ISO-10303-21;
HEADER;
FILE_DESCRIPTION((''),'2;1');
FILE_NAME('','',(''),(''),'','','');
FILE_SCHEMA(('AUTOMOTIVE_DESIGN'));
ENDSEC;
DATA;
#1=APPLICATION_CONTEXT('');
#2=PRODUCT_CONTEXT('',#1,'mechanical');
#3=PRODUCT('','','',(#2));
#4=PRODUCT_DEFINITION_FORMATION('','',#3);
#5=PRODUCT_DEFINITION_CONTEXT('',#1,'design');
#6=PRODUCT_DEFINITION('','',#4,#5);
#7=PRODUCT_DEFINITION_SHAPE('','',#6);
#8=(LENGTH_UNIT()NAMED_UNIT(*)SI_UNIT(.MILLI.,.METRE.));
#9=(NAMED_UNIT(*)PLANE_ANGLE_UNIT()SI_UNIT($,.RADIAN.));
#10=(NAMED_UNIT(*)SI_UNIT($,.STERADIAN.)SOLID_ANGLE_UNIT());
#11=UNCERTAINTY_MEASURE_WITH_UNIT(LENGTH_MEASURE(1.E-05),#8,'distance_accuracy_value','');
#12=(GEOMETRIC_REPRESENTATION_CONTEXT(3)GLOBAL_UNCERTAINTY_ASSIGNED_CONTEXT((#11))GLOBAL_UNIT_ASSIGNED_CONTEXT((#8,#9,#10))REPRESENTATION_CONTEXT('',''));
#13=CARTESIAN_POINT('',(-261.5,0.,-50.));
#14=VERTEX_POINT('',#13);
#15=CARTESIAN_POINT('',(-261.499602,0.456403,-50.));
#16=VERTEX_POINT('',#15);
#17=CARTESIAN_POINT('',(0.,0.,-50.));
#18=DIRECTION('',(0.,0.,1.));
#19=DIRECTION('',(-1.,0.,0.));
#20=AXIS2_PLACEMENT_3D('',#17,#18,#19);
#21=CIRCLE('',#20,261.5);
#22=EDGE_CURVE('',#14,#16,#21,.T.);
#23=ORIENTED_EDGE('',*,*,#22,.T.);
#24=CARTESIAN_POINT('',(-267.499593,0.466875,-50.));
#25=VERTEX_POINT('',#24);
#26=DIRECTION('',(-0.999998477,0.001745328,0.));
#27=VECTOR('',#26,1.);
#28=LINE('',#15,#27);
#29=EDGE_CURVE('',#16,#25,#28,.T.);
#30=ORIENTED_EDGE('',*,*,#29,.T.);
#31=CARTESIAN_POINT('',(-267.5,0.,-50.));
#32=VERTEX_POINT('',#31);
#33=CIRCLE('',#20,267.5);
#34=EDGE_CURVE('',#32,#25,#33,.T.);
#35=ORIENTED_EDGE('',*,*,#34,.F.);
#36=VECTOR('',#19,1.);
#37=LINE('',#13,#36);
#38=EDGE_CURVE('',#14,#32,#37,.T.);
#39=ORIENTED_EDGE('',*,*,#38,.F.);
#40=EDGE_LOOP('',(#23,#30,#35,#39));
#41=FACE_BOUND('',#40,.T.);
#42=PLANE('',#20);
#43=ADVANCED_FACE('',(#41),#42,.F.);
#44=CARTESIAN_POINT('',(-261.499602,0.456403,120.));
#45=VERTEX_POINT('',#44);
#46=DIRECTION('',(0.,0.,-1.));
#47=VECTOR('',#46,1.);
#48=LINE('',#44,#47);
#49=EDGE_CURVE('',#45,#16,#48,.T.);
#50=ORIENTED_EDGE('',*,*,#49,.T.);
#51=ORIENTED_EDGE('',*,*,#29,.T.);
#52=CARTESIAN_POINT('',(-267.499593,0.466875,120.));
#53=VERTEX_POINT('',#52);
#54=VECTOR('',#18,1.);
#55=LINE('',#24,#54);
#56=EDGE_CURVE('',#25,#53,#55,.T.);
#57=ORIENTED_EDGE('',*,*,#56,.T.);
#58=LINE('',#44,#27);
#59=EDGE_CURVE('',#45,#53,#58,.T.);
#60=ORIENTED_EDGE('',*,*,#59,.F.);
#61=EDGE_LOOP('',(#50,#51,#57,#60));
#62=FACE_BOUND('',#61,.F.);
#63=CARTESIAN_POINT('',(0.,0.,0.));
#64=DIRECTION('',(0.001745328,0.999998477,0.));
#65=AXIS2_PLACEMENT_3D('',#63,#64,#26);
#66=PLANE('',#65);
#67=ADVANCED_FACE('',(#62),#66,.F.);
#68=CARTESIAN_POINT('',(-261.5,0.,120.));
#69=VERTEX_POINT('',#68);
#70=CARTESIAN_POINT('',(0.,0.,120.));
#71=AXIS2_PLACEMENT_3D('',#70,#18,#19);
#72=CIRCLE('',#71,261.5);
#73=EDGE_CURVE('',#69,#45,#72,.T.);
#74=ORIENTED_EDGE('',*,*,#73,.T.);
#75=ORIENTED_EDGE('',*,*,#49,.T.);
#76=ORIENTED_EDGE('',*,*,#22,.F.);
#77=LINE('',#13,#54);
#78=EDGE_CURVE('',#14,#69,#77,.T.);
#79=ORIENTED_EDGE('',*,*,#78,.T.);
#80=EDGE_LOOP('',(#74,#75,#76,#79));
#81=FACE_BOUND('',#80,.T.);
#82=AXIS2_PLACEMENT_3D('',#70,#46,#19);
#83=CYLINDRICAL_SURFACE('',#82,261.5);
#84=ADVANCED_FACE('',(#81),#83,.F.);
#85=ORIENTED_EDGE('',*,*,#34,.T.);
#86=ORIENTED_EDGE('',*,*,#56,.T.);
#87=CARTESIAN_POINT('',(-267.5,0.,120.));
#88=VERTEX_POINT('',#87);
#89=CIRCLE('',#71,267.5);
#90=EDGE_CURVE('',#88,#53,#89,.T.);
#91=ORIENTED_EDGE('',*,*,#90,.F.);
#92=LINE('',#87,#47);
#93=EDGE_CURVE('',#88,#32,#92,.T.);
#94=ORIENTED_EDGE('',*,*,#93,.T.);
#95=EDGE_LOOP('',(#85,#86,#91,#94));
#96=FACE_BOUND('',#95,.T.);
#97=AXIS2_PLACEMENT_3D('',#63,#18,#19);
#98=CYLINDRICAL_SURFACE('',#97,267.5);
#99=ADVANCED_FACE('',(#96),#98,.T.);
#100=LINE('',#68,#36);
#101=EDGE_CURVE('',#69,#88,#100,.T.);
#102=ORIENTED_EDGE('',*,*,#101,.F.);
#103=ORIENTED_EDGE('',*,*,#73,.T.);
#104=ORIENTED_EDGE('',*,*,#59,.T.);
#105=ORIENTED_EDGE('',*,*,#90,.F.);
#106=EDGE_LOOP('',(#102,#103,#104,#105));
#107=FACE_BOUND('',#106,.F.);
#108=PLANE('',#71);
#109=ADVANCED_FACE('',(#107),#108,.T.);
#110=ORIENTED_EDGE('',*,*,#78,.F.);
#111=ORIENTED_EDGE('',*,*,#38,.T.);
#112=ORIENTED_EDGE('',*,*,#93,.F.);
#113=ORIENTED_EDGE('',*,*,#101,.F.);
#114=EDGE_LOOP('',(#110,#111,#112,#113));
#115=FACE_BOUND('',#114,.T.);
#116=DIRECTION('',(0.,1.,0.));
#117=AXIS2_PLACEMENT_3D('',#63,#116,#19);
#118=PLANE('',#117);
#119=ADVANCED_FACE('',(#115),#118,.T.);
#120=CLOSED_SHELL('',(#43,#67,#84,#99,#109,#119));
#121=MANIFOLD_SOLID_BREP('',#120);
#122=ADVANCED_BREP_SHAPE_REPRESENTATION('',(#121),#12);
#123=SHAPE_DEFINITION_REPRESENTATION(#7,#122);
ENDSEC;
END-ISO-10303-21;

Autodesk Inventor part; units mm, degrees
ref_plane "YZ Plane" through (0, 0, 0) normal (1, 0, 0) x (0, 1, 0)
ref_plane "XZ Plane" through (0, 0, 0) normal (0, 1, 0) x (-1, 0, 0)
ref_plane "XY Plane" through (0, 0, 0) normal (0, 0, 1) x (1, 0, 0)
sketch "Sketch1" plane through (0, 0, 0) normal (0, 1, 0) x (-1, 0, 0)
  line L0 (261.5, 120) -> (261.5, 0)
  line L1 (261.5, 0) -> (267.5, 0)
  line L2 (0, 0) -> (0, 109.131)
  line L3 (261.5, 120) -> (267.5, 120)
  line L4 (267.5, 0) -> (267.5, 120)
  line L5 (267.5, 0) -> (261.5, 0)
  line L6 (261.5, 0) -> (261.5, -50)
  line L7 (261.5, -50) -> (267.5, -50)
  line L8 (267.5, -50) -> (267.5, 0)
  point P0 (264.5, 0)
  point P1 (267.5, 0)
  dimension "d3" = 6
  dimension "d5" = 120
  dimension "d7" = 6
  dimension "d8" = 50
  dimension "d12" = 535
revolve "Revolution1" add sketch "Sketch1" angle 359.9 about axis through (0, 0, 0) along (0, 0, 1)
sketch "Sketch2" plane through (0, 0, 0) normal (0, 1, 0) x (-1, 0, 0)
  circle A0 centre (0, -476) radius 476
  point P0 (0, 0)
  dimension "d9" = 952
extrude "Extrusion1" [suppressed]
equation "\"d5\" = Accsess_hatch_lenght"
equation "\"d7\" = d3"
equation "\"d12\" = Accsess_hatch_diameter"
equation "\"Accsess_hatch_lenght\" = 120"
equation "\"Accsess_hatch_diameter\" = 535"
equation "\"BendRadius\" = Thickness"
equation "\"BendReliefWidth\" = Thickness"
equation "\"BendReliefDepth\" = 0.5 * Thickness"
equation "\"CornerReliefSize\" = 4 * Thickness"
equation "\"MinimumRemnant\" = 2 * Thickness"
equation "\"TransitionRadius\" = BendRadius"
equation "\"JacobiRadiusSize\" = BendRadius"
equation "\"GapSize\" = Thickness"
equation "\"Thickness\" = 6"
properties part number "PRS 1200-11 accses hatch tube"
